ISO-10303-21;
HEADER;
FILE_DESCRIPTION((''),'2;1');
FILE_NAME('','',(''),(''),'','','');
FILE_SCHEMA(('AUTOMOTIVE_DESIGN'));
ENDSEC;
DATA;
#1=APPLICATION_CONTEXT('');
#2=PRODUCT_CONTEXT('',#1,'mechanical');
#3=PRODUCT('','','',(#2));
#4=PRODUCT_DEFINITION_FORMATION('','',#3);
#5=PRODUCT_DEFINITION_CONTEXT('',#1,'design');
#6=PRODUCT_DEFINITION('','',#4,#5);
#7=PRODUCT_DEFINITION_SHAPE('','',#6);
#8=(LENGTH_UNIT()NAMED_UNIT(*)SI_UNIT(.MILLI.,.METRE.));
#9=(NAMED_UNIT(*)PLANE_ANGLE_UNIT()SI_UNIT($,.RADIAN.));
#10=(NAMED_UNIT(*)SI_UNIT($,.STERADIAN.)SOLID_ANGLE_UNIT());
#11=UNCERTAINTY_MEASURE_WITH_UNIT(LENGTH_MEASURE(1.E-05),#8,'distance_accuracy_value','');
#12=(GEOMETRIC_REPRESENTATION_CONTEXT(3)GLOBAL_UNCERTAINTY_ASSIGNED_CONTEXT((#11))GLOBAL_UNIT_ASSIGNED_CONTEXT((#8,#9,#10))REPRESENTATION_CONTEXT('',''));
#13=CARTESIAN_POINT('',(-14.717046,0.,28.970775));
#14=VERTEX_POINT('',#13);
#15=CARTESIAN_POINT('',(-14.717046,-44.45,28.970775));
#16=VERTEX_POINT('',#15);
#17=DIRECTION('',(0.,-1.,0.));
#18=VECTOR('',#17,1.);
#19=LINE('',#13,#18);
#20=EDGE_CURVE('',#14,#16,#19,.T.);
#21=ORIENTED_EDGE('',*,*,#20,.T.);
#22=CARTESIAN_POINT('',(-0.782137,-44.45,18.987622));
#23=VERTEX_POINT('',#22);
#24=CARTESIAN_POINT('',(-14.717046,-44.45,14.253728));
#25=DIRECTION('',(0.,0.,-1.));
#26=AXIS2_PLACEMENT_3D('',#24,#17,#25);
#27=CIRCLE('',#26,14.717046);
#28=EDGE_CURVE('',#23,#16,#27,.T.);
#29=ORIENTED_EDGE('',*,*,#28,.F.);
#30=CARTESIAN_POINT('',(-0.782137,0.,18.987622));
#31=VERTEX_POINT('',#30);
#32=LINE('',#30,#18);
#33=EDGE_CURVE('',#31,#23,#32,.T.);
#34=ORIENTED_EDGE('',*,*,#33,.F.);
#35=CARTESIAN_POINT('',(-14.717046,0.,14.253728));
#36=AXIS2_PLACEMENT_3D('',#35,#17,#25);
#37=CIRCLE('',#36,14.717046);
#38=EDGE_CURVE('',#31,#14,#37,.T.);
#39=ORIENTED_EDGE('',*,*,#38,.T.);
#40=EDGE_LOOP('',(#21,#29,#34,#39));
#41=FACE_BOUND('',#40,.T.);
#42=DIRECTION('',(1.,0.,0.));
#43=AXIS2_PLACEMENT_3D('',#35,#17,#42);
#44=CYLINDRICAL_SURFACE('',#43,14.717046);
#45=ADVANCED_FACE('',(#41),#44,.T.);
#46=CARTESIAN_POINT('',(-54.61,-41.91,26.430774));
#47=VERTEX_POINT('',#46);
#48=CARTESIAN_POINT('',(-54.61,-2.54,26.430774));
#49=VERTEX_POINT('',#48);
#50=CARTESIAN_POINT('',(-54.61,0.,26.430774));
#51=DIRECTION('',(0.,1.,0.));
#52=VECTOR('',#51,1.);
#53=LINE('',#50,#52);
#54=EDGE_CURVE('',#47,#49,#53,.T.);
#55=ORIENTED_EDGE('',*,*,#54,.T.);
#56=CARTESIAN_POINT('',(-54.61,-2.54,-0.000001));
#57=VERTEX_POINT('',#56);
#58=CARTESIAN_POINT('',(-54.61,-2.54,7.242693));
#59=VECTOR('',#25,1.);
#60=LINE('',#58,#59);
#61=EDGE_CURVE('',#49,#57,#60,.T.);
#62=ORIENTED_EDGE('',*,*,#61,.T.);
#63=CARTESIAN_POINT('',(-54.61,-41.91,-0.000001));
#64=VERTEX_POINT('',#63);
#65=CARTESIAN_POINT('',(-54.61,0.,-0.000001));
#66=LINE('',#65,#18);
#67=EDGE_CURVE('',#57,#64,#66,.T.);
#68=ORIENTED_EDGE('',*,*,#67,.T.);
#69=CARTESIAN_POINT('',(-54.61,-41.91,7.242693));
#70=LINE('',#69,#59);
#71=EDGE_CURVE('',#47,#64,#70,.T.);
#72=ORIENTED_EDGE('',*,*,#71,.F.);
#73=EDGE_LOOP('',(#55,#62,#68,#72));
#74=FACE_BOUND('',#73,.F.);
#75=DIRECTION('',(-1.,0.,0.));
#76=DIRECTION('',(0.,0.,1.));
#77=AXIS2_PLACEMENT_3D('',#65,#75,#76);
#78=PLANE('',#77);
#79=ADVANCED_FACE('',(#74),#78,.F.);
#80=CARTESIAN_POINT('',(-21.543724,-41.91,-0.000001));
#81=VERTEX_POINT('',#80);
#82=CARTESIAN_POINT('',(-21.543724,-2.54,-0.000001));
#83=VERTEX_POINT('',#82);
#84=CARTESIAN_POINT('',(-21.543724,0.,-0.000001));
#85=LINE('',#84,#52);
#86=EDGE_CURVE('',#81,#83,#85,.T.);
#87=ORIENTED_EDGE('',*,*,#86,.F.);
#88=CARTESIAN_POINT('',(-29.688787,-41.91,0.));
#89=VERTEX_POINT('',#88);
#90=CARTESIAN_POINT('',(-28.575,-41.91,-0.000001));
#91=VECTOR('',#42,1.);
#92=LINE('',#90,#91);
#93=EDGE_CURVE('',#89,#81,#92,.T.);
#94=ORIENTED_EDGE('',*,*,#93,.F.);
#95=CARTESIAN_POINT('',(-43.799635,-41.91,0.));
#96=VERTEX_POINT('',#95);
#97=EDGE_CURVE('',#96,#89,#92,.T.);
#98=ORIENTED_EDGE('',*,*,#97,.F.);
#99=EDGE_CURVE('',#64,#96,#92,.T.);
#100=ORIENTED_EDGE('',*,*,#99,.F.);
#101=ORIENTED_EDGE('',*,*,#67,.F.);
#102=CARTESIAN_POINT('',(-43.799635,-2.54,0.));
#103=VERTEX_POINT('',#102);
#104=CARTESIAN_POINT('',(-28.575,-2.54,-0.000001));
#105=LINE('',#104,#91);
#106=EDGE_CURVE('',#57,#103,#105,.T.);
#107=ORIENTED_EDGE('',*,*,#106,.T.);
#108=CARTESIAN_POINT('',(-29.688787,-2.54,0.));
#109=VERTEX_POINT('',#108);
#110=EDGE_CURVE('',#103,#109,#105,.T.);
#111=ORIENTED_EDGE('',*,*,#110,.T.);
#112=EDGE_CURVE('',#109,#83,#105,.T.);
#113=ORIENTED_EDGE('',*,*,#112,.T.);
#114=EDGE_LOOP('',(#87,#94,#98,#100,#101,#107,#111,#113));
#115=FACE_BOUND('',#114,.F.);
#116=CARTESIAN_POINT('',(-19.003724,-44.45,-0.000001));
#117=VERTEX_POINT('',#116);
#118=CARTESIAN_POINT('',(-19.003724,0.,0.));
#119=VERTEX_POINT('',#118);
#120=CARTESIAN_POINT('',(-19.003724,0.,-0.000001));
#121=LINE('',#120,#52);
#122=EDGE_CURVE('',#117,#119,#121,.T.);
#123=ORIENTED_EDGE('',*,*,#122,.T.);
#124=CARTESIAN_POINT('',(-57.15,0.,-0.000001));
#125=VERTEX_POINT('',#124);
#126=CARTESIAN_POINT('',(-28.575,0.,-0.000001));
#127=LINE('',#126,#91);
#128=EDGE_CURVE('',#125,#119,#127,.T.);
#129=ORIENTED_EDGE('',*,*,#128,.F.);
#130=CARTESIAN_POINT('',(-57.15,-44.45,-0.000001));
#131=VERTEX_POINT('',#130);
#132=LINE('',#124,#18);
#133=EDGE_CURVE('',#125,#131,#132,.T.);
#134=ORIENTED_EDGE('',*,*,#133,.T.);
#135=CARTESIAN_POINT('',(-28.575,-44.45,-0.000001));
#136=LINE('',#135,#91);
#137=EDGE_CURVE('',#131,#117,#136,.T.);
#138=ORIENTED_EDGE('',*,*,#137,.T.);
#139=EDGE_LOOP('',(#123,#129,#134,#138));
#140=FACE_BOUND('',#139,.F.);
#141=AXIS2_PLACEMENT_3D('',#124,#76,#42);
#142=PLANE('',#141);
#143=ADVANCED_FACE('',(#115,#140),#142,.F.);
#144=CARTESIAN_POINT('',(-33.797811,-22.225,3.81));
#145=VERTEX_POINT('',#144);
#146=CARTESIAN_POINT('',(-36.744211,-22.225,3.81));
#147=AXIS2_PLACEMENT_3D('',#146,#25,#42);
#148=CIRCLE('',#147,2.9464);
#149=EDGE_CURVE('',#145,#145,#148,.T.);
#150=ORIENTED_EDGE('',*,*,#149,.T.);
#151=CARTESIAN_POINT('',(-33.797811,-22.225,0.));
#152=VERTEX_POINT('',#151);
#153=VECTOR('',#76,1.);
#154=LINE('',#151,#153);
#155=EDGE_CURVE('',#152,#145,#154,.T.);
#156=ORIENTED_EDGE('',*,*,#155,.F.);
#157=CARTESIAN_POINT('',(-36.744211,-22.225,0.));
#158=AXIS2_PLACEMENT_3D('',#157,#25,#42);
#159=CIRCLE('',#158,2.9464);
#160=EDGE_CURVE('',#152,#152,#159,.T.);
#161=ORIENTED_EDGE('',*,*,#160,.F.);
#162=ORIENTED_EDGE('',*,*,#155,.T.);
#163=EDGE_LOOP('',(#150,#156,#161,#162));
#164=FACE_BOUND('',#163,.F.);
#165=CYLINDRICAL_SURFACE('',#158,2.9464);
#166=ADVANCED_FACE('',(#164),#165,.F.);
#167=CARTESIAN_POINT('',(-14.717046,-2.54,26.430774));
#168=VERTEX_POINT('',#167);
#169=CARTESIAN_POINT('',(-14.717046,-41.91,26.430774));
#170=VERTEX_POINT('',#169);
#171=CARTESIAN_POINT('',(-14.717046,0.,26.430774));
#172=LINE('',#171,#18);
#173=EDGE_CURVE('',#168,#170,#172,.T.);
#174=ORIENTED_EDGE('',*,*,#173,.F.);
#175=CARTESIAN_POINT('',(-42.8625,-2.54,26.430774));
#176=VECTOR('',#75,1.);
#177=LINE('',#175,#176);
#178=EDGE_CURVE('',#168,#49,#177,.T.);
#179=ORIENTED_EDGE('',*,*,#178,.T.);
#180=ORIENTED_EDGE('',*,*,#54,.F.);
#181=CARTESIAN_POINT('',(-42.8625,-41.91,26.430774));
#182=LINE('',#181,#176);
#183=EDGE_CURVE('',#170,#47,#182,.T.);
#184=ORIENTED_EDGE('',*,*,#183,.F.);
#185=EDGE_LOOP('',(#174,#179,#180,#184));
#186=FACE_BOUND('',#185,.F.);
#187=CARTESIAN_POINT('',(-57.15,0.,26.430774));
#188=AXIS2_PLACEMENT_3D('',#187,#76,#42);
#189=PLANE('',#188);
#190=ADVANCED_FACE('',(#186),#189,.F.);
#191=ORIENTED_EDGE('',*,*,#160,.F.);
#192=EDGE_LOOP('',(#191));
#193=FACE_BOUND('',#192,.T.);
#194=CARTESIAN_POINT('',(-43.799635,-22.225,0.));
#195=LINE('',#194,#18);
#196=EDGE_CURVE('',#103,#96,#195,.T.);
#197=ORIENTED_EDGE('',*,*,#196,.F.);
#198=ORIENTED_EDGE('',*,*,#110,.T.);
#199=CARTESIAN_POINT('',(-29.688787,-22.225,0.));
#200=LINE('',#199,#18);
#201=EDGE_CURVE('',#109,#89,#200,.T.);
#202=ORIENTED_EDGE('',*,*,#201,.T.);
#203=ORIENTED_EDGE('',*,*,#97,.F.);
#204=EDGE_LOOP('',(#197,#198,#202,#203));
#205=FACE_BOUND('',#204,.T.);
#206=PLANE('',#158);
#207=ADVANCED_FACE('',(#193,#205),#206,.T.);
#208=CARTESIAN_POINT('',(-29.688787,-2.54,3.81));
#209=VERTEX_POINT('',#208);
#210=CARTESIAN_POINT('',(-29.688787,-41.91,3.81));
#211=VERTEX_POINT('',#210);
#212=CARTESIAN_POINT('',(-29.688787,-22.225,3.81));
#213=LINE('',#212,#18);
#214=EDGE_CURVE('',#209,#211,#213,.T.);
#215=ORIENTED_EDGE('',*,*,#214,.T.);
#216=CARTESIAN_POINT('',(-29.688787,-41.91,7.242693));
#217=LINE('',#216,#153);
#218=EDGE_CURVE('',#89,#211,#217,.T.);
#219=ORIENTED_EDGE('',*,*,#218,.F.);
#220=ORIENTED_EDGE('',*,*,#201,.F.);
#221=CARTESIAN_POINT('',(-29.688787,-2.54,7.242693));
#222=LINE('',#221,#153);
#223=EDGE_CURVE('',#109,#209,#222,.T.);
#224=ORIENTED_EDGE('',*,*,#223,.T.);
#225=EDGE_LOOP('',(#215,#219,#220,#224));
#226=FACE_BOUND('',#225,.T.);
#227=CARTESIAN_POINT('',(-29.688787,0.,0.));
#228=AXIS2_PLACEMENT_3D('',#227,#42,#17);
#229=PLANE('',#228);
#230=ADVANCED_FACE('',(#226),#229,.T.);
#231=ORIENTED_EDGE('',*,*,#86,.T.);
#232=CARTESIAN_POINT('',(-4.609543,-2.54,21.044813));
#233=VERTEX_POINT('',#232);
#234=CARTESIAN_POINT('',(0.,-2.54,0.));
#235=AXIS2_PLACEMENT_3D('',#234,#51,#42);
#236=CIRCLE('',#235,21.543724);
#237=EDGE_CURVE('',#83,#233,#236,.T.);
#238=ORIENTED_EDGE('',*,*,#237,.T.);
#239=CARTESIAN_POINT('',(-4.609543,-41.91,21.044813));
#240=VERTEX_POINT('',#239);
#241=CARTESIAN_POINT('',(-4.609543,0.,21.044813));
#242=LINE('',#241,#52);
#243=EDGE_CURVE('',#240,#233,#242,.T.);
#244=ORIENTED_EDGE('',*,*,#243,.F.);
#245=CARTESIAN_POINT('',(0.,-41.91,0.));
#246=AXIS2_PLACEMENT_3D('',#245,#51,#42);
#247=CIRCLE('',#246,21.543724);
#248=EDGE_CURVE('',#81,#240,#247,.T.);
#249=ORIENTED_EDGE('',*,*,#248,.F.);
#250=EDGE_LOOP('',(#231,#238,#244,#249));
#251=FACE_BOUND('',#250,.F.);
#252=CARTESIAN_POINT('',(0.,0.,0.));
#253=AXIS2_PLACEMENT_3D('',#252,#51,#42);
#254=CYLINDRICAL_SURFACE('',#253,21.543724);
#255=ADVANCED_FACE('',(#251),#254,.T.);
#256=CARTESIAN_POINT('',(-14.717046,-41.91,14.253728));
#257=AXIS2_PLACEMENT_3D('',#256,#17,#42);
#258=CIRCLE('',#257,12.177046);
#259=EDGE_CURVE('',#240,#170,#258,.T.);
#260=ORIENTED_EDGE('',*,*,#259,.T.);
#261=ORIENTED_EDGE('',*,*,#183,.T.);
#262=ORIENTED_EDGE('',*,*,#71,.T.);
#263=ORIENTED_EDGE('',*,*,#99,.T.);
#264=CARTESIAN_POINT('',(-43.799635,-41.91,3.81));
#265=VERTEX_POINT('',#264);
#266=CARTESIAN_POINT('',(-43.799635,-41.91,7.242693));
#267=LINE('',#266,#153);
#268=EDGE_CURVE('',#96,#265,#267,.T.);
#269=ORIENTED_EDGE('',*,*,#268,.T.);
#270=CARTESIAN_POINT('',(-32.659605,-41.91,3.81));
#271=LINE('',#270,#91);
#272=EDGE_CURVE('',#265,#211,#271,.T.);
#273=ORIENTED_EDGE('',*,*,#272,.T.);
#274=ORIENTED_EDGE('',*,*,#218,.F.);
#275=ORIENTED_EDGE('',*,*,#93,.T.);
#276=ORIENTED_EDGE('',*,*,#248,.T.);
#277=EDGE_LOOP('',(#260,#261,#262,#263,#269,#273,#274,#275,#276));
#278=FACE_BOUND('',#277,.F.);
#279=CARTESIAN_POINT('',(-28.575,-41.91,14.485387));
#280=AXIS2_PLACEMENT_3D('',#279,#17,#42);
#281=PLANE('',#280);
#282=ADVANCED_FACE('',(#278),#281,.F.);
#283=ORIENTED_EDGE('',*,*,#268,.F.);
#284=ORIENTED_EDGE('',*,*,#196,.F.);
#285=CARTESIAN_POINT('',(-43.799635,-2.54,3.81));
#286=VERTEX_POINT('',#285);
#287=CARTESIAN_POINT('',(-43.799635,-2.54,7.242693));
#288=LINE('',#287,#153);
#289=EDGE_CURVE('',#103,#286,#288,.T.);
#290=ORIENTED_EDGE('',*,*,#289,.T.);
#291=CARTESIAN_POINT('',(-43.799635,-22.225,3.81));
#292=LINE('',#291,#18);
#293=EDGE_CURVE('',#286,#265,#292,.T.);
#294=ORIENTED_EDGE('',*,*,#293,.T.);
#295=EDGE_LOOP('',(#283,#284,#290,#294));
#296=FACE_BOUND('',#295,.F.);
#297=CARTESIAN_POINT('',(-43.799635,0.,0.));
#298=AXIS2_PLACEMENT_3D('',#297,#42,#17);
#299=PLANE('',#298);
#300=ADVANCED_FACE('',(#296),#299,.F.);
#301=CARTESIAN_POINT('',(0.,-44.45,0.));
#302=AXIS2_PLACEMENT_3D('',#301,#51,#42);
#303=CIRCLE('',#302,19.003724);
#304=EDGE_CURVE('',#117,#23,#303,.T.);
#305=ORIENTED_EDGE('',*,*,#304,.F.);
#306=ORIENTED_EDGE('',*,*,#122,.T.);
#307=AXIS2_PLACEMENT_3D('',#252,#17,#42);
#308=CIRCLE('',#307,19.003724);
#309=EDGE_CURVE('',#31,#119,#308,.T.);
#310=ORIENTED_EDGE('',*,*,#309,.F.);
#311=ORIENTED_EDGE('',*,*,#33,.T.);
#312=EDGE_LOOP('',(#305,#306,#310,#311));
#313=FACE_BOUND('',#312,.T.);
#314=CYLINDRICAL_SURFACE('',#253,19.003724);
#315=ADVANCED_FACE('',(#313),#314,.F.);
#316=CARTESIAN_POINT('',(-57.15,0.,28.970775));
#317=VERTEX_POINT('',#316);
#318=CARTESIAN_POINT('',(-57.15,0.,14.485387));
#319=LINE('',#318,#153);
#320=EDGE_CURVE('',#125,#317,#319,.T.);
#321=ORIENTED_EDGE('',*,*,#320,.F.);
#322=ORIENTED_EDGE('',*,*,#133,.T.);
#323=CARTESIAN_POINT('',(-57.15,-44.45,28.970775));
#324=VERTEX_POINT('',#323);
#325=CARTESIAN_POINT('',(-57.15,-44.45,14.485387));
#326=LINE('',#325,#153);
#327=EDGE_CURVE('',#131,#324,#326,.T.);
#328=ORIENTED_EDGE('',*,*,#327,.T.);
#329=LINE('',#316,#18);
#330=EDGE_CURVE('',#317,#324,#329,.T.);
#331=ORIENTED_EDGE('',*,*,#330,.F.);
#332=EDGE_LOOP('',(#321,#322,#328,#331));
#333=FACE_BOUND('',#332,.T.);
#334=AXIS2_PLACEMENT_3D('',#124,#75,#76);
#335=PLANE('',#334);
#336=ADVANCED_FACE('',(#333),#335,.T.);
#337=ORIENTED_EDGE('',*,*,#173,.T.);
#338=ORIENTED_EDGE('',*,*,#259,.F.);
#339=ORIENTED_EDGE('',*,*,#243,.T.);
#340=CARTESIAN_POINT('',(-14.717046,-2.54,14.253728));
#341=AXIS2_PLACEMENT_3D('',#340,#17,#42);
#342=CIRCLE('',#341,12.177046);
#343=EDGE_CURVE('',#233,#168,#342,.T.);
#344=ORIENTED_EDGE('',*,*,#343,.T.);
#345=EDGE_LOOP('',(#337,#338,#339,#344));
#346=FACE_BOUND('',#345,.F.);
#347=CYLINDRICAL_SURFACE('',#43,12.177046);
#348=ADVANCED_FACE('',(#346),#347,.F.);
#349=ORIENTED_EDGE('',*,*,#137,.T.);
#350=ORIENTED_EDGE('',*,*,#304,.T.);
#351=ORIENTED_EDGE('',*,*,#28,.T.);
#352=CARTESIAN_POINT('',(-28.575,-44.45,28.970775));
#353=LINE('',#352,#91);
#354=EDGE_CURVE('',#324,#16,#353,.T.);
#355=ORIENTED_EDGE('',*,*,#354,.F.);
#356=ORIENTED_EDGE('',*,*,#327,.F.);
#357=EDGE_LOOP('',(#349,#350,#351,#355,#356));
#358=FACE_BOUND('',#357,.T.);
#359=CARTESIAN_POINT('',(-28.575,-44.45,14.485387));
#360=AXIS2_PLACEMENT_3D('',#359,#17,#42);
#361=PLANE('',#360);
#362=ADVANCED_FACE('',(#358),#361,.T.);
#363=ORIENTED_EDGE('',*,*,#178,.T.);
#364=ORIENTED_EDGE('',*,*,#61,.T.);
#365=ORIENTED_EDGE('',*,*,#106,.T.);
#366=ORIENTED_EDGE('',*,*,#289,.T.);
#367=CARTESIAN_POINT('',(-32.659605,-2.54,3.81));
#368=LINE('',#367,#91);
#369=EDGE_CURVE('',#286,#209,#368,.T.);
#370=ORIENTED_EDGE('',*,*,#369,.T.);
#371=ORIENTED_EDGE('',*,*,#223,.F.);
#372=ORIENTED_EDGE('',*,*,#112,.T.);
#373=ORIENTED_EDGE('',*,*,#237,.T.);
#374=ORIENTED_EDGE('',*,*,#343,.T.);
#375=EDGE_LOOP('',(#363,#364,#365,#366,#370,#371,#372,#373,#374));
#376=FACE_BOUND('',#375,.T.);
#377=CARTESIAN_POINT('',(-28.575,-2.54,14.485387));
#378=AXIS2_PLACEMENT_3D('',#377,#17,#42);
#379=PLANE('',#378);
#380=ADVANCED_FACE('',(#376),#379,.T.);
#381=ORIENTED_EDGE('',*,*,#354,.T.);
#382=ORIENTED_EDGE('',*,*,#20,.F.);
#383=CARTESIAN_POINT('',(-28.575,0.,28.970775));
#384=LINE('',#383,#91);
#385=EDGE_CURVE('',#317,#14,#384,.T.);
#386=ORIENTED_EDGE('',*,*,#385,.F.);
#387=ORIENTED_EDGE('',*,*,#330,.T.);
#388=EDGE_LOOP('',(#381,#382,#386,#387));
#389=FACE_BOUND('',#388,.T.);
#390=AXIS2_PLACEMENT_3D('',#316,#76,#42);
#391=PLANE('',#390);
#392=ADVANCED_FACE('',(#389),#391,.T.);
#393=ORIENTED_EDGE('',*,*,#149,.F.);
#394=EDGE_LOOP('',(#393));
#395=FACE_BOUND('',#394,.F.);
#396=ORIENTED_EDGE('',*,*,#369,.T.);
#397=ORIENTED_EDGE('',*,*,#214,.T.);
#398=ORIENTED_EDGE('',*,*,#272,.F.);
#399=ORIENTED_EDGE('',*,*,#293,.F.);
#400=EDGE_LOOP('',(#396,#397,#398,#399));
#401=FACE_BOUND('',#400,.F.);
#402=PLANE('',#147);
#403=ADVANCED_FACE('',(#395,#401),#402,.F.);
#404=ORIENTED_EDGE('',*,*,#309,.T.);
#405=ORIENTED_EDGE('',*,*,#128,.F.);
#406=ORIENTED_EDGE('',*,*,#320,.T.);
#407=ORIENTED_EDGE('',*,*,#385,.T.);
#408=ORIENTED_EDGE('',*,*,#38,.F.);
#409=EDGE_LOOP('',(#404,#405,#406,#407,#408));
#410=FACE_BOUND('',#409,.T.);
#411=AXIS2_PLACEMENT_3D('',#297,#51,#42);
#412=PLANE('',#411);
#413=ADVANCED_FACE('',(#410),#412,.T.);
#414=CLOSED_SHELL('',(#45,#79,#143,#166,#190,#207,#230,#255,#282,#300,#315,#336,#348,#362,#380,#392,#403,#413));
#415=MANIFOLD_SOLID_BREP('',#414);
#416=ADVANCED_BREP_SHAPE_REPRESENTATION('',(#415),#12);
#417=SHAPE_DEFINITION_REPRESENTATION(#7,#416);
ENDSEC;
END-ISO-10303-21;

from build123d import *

# Parameters (mm, degrees)
F0_W     = 57.15
F0_H     = 28.970775
F1_DEPTH = 44.45
F2_R     = 14.717046
F3_R     = 19.003724
F4_DEPTH = 66.548
F5_T     = -2.54
F6_W     = 14.110848
F6_H     = 44.45
F6_R     = 2.9464
F7_DEPTH = 3.81


with BuildPart() as f1:
    # F0 (on Front) → F1 (new body)
    with BuildSketch(Plane.XZ):
        with Locations((-28.575, 14.485387)):
            Rectangle(F0_W, F0_H)
    extrude(amount=F1_DEPTH)

    # F2
    f2_edges = [f1.edges().sort_by_distance(p)[0] for p in [
        (0, -22.225, 28.970775),
    ]]
    fillet(f2_edges, radius=F2_R)

    # F3 (on Front) → F4 (cut)
    with BuildSketch(Plane.XZ):
        Circle(F3_R)
    extrude(amount=F4_DEPTH, mode=Mode.SUBTRACT)

    # F5
    f5_openings = [f1.faces().sort_by_distance(p)[0] for p in [
        (-38.076862, -22.225, 0),
    ]]
    offset(amount=F5_T, openings=f5_openings)

    # F6 (on face) → F7 (join)
    with BuildSketch(Plane(origin=(0, 0, 0), x_dir=(1, 0, 0), z_dir=(0, 0, -1))):
        with Locations((-36.744211, 22.225)):
            Rectangle(F6_W, F6_H)
        with Locations((-36.744211, 22.225)):
            Circle(F6_R, mode=Mode.SUBTRACT)
    extrude(amount=-F7_DEPTH)


solid = f1.part
